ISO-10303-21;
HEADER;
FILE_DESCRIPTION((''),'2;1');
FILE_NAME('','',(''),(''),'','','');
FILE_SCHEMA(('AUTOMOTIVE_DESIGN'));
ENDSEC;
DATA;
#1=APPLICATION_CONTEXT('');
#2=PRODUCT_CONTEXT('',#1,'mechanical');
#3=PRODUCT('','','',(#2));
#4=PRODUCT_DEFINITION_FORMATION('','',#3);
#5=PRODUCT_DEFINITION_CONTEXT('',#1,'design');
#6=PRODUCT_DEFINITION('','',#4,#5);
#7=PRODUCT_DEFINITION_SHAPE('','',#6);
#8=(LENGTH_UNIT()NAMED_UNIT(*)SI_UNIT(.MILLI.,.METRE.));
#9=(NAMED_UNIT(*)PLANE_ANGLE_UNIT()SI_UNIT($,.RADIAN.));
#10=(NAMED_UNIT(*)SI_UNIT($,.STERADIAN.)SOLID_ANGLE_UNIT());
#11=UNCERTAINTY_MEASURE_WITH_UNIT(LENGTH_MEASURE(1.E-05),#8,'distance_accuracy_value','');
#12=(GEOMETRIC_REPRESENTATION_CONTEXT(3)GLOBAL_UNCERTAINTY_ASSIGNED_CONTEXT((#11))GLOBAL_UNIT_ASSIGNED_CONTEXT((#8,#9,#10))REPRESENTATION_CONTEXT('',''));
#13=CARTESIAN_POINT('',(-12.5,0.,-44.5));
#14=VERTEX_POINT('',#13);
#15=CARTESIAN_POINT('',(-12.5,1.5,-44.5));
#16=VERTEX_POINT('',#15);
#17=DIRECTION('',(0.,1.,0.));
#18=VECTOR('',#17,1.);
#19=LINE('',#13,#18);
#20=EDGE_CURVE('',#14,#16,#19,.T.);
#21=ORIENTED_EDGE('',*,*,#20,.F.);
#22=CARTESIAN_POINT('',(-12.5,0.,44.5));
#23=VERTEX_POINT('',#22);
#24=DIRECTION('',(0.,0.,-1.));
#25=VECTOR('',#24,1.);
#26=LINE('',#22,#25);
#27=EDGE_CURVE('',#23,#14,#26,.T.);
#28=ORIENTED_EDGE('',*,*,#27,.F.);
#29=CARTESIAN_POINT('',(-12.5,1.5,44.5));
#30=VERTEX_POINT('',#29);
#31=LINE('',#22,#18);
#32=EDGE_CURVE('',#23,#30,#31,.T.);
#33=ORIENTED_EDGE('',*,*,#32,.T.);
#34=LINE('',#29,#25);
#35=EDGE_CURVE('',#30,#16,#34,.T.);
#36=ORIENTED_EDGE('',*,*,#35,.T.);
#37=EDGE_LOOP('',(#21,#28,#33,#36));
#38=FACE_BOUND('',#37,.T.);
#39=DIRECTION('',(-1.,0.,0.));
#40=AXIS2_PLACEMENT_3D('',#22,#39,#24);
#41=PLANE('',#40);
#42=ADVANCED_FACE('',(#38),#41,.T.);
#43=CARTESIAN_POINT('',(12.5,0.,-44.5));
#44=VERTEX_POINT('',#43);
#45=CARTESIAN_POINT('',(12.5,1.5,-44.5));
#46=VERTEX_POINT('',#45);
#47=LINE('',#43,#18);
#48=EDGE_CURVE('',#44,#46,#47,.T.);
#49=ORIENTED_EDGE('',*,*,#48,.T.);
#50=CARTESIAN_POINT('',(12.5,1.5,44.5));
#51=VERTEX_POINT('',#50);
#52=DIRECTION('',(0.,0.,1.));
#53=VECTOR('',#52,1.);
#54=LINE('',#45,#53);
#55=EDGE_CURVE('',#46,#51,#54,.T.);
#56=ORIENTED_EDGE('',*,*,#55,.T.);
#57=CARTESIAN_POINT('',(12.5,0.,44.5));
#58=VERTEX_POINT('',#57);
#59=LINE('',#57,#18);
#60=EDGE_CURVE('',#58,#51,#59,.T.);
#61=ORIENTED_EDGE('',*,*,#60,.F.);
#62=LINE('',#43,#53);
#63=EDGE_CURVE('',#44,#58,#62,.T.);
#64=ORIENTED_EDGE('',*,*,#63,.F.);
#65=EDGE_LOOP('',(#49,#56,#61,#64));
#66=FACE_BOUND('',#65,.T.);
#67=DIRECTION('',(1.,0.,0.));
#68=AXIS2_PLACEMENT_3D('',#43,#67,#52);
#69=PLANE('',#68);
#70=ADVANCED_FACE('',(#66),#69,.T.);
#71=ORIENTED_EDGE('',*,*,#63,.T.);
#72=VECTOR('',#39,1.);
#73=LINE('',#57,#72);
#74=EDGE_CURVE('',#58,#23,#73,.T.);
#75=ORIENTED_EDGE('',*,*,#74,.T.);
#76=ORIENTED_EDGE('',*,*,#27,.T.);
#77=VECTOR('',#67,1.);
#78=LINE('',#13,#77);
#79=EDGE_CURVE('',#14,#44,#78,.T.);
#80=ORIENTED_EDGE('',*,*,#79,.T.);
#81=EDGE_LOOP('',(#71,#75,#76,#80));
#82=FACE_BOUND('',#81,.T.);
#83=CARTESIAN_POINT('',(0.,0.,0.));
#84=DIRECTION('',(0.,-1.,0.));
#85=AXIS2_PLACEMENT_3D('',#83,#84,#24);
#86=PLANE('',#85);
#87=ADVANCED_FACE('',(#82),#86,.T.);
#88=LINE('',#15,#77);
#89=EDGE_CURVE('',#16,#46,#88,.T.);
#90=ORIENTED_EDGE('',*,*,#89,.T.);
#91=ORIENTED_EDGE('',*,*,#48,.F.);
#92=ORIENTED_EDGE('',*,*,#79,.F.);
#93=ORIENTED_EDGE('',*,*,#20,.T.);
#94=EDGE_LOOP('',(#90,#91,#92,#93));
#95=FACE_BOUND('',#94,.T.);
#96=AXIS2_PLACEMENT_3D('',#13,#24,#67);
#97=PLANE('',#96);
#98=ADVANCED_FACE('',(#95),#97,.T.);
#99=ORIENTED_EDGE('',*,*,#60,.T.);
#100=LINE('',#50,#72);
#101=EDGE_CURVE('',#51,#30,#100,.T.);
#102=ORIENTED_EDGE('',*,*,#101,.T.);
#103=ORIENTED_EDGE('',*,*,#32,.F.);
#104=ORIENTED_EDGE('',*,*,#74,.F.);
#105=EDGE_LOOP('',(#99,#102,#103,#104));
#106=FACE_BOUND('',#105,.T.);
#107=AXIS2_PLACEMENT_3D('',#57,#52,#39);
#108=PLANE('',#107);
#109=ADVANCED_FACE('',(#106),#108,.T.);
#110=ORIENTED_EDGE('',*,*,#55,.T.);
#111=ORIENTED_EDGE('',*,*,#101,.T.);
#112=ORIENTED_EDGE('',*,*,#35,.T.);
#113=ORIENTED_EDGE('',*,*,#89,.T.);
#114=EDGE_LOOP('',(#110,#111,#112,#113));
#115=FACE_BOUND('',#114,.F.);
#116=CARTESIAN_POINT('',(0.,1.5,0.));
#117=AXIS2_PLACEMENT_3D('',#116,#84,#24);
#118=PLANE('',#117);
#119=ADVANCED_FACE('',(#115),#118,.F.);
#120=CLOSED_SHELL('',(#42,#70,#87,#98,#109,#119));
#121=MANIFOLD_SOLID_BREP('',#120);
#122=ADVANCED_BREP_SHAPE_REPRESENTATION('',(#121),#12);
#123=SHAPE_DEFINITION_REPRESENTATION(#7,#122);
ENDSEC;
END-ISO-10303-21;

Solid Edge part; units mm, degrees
sketch "Sketch1" plane through (0, 0, 0) normal (0, -1, 0) x (1, 0, 0)
  line L0 (-12.5, -44.5) -> (12.5, -44.5)
  line L1 (12.5, -44.5) -> (12.5, 44.5)
  line L2 (12.5, 44.5) -> (-12.5, 44.5)
  line L3 (-12.5, 44.5) -> (-12.5, -44.5)
extrude "Protrusion1" add sketch "Sketch1" against normal blind 1.5
